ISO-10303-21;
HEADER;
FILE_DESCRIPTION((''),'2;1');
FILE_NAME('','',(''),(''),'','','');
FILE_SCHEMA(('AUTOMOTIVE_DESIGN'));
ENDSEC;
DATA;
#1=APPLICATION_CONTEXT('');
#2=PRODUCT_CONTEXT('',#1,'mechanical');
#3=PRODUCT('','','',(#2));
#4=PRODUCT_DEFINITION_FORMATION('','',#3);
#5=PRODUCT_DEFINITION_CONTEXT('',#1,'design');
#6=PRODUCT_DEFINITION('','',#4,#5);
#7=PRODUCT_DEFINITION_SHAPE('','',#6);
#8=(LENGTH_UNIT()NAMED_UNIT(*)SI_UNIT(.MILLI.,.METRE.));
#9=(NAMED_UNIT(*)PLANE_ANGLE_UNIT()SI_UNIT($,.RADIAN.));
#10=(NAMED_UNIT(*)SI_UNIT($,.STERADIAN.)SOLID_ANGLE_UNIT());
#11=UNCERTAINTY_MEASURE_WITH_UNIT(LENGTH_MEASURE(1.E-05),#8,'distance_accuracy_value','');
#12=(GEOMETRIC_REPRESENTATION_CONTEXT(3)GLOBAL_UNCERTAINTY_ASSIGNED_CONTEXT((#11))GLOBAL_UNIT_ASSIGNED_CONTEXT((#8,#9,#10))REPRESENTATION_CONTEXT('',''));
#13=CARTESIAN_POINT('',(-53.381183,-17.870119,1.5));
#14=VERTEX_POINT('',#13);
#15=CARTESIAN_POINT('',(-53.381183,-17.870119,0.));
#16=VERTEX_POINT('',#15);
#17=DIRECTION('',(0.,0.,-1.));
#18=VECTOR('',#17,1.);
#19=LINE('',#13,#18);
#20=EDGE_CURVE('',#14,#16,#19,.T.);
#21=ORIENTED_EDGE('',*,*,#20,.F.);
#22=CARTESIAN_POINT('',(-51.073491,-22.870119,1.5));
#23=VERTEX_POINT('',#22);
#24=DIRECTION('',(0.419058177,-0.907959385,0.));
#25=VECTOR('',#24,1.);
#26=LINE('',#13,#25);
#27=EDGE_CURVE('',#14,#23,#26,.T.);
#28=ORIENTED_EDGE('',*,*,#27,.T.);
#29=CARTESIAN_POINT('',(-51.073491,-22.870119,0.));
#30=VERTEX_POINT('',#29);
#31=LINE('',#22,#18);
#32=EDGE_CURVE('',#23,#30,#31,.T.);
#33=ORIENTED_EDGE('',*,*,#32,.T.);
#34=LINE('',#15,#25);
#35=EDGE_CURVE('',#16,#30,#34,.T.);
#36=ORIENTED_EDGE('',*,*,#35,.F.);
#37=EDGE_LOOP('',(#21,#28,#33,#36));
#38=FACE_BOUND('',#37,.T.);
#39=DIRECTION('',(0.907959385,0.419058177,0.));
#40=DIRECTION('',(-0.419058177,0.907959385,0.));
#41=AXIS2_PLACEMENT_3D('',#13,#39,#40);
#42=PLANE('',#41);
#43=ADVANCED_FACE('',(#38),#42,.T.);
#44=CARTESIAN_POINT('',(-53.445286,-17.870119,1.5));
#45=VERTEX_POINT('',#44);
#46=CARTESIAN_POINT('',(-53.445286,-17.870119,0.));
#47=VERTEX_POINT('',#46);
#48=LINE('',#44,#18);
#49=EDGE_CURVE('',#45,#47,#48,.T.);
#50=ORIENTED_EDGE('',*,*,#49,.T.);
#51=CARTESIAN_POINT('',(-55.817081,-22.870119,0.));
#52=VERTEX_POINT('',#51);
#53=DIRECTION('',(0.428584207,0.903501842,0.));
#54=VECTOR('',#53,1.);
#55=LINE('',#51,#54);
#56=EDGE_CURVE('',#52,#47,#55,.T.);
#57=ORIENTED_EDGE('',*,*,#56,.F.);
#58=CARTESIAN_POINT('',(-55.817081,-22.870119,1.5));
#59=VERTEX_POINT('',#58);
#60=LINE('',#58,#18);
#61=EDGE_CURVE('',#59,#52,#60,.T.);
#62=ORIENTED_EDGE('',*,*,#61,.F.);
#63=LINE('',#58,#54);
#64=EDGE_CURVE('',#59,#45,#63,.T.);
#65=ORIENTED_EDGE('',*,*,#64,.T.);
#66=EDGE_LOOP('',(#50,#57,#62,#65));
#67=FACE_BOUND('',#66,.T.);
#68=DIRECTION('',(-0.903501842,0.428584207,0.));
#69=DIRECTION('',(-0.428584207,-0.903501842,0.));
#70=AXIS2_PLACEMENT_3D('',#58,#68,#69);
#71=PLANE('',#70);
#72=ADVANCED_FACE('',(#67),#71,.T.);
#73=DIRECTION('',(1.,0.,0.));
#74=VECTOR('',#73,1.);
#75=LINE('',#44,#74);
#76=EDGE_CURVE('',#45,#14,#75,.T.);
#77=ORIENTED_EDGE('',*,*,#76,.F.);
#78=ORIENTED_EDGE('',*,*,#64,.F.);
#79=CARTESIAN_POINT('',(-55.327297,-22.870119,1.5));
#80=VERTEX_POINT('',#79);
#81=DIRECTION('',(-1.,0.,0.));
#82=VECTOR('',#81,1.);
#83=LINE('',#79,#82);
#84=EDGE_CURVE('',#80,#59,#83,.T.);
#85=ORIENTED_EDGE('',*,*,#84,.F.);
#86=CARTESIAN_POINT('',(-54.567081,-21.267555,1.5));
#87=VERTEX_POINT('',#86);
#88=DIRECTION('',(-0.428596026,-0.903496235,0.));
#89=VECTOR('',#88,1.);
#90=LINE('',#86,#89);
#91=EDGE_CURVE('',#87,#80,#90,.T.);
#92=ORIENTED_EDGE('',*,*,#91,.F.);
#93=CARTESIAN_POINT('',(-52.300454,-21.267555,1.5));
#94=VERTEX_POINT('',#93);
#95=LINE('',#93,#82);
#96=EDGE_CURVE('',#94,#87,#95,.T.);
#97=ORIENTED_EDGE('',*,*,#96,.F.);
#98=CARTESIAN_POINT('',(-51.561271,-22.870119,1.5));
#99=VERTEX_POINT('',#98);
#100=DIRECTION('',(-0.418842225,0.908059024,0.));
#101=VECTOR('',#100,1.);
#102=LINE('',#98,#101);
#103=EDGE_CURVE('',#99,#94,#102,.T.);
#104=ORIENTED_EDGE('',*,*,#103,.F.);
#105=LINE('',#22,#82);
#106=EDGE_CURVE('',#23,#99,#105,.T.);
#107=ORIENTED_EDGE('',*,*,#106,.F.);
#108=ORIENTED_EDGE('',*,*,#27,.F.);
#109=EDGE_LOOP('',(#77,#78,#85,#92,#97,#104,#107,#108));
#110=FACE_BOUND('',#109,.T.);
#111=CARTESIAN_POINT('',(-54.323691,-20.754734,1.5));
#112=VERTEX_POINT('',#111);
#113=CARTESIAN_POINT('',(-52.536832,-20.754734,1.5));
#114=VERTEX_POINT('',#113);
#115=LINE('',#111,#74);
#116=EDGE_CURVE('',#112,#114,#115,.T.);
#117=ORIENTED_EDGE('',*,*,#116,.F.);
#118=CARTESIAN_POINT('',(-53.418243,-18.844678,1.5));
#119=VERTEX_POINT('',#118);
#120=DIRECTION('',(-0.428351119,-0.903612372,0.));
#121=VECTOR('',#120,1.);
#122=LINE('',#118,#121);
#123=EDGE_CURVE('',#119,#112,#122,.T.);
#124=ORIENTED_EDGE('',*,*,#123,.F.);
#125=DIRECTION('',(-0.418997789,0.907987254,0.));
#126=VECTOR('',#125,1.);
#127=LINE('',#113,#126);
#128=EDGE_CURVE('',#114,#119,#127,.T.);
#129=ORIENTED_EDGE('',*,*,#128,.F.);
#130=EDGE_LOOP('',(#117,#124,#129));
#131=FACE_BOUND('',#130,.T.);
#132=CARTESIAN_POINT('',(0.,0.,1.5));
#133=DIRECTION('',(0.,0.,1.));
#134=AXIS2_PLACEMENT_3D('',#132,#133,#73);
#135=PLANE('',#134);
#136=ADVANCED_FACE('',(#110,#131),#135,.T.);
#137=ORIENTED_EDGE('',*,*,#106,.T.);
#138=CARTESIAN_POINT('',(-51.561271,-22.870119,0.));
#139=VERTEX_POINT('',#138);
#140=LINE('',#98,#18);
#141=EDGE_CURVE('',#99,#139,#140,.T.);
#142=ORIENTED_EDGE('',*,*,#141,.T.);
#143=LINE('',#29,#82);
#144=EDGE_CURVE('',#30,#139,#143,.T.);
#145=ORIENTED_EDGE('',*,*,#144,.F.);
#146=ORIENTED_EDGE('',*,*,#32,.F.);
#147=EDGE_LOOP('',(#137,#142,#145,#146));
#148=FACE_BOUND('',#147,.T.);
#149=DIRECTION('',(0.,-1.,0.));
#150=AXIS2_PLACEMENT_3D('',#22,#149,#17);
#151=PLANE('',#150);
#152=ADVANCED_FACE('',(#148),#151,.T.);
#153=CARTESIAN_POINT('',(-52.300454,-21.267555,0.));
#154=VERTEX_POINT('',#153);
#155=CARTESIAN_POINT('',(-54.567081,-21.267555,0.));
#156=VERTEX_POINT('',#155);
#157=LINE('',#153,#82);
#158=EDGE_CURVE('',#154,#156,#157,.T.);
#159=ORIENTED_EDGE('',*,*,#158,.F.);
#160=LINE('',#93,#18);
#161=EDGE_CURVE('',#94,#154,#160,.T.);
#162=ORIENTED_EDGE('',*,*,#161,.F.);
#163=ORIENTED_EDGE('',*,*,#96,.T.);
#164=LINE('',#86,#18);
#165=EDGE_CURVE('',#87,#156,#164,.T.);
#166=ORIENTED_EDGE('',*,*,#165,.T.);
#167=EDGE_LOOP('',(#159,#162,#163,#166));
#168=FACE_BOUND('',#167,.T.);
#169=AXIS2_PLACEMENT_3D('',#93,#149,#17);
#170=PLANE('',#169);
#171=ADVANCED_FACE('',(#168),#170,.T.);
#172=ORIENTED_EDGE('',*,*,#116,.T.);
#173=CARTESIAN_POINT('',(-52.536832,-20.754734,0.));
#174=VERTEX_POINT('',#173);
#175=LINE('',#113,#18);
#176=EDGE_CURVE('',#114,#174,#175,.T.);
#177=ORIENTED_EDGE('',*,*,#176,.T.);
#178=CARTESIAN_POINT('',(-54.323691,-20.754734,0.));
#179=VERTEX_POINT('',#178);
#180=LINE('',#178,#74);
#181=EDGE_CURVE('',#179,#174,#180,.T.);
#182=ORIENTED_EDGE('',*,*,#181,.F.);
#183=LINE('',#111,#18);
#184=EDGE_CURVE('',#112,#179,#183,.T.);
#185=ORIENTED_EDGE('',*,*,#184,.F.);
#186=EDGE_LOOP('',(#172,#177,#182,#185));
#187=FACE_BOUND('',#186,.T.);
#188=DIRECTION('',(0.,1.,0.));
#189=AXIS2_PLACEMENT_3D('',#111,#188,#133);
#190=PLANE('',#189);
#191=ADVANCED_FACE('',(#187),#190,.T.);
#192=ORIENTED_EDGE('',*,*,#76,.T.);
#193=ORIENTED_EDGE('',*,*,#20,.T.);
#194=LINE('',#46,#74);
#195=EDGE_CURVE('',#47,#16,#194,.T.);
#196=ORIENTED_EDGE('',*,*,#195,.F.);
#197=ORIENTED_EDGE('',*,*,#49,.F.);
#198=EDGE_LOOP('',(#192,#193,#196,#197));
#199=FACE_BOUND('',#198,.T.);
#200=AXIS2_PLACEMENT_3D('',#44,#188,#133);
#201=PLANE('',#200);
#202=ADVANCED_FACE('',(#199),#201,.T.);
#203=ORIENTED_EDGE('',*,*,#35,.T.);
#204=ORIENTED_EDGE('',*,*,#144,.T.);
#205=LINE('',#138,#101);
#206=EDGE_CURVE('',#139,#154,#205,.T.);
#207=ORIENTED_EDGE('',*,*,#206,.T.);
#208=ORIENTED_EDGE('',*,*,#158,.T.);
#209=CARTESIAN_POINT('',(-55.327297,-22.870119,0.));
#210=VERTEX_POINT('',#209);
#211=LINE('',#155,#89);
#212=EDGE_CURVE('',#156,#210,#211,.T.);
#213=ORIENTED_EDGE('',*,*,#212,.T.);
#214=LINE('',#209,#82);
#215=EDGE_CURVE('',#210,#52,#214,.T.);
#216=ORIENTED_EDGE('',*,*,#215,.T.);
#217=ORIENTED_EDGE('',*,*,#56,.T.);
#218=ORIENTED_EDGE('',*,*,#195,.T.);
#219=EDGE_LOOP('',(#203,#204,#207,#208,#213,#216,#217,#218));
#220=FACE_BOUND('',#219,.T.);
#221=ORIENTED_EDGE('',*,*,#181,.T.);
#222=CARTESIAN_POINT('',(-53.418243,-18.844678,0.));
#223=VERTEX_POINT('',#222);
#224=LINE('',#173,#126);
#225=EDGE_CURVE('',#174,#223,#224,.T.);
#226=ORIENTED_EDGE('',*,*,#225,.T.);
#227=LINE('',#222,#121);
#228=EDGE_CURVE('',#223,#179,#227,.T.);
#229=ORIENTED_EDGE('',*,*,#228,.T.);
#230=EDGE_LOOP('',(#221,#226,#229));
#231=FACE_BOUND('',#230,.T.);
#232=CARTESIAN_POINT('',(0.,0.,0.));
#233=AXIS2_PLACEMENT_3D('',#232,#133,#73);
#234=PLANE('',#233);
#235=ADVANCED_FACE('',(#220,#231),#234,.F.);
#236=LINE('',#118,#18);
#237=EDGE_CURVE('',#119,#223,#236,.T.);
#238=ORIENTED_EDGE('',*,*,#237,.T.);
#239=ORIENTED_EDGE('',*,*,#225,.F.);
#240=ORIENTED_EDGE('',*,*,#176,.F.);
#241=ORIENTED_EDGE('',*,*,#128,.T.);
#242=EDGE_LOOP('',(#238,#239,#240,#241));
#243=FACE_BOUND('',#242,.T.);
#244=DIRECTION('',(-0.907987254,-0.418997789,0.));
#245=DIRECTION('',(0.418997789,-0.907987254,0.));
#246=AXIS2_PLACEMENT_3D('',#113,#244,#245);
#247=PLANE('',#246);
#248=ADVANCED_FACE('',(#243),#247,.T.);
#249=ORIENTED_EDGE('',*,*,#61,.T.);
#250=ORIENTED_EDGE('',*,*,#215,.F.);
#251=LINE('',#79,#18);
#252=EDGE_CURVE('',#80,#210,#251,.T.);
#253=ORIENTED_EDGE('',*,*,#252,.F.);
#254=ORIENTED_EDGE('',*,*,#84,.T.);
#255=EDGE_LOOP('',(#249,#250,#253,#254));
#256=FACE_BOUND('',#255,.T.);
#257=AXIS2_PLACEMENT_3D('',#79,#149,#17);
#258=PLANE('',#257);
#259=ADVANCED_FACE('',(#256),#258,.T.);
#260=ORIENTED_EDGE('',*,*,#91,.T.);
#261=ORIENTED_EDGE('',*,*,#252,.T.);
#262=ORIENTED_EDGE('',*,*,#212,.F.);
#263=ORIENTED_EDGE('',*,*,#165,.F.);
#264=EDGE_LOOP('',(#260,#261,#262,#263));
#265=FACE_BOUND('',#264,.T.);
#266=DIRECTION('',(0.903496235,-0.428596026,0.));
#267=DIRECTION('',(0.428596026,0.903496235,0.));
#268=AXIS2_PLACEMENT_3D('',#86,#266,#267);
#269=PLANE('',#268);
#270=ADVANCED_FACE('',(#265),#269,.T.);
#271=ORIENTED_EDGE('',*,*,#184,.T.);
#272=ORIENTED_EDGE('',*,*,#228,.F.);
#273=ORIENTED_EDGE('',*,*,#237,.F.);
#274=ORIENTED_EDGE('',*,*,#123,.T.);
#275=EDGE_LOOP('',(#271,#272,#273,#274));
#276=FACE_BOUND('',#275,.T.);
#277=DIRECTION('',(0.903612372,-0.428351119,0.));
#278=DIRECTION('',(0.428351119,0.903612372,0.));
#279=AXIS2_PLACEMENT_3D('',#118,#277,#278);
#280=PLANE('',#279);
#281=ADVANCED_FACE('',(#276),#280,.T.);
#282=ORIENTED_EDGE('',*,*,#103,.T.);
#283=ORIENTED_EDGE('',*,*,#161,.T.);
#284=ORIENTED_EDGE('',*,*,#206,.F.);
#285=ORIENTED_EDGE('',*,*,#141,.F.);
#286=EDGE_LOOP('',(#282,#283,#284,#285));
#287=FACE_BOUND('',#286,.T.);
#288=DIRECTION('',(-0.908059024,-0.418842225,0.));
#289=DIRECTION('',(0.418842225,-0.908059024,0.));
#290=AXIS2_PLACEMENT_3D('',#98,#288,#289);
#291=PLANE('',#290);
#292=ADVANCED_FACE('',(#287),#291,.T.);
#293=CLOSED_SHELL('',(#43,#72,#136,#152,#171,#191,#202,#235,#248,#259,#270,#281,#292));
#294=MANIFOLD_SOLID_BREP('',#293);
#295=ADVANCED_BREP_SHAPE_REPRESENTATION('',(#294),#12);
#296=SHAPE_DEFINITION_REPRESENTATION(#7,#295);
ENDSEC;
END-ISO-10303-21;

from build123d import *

# Parameters (mm, degrees)
BOSS_EXTRU_1_DEPTH = 1.5


with BuildPart() as part:
    # Esquisse1 → Boss.-Extru.1 (new body)
    with BuildSketch(Plane.XY):
        Polygon((-53.381183275, -17.870119076), (-51.073490967, -22.870119076), (-51.561271416, -22.870119076), (-52.300454108, -21.267554974), (-54.56708071, -21.267554974), (-55.327297057, -22.870119076), (-55.81708071, -22.870119076), (-53.445285839, -17.870119076), align=None)
        Polygon((-53.418242569, -18.844678371), (-54.323691287, -20.754734461), (-52.536832313, -20.754734461), align=None, mode=Mode.SUBTRACT)
    extrude(amount=BOSS_EXTRU_1_DEPTH)


solid = part.part
